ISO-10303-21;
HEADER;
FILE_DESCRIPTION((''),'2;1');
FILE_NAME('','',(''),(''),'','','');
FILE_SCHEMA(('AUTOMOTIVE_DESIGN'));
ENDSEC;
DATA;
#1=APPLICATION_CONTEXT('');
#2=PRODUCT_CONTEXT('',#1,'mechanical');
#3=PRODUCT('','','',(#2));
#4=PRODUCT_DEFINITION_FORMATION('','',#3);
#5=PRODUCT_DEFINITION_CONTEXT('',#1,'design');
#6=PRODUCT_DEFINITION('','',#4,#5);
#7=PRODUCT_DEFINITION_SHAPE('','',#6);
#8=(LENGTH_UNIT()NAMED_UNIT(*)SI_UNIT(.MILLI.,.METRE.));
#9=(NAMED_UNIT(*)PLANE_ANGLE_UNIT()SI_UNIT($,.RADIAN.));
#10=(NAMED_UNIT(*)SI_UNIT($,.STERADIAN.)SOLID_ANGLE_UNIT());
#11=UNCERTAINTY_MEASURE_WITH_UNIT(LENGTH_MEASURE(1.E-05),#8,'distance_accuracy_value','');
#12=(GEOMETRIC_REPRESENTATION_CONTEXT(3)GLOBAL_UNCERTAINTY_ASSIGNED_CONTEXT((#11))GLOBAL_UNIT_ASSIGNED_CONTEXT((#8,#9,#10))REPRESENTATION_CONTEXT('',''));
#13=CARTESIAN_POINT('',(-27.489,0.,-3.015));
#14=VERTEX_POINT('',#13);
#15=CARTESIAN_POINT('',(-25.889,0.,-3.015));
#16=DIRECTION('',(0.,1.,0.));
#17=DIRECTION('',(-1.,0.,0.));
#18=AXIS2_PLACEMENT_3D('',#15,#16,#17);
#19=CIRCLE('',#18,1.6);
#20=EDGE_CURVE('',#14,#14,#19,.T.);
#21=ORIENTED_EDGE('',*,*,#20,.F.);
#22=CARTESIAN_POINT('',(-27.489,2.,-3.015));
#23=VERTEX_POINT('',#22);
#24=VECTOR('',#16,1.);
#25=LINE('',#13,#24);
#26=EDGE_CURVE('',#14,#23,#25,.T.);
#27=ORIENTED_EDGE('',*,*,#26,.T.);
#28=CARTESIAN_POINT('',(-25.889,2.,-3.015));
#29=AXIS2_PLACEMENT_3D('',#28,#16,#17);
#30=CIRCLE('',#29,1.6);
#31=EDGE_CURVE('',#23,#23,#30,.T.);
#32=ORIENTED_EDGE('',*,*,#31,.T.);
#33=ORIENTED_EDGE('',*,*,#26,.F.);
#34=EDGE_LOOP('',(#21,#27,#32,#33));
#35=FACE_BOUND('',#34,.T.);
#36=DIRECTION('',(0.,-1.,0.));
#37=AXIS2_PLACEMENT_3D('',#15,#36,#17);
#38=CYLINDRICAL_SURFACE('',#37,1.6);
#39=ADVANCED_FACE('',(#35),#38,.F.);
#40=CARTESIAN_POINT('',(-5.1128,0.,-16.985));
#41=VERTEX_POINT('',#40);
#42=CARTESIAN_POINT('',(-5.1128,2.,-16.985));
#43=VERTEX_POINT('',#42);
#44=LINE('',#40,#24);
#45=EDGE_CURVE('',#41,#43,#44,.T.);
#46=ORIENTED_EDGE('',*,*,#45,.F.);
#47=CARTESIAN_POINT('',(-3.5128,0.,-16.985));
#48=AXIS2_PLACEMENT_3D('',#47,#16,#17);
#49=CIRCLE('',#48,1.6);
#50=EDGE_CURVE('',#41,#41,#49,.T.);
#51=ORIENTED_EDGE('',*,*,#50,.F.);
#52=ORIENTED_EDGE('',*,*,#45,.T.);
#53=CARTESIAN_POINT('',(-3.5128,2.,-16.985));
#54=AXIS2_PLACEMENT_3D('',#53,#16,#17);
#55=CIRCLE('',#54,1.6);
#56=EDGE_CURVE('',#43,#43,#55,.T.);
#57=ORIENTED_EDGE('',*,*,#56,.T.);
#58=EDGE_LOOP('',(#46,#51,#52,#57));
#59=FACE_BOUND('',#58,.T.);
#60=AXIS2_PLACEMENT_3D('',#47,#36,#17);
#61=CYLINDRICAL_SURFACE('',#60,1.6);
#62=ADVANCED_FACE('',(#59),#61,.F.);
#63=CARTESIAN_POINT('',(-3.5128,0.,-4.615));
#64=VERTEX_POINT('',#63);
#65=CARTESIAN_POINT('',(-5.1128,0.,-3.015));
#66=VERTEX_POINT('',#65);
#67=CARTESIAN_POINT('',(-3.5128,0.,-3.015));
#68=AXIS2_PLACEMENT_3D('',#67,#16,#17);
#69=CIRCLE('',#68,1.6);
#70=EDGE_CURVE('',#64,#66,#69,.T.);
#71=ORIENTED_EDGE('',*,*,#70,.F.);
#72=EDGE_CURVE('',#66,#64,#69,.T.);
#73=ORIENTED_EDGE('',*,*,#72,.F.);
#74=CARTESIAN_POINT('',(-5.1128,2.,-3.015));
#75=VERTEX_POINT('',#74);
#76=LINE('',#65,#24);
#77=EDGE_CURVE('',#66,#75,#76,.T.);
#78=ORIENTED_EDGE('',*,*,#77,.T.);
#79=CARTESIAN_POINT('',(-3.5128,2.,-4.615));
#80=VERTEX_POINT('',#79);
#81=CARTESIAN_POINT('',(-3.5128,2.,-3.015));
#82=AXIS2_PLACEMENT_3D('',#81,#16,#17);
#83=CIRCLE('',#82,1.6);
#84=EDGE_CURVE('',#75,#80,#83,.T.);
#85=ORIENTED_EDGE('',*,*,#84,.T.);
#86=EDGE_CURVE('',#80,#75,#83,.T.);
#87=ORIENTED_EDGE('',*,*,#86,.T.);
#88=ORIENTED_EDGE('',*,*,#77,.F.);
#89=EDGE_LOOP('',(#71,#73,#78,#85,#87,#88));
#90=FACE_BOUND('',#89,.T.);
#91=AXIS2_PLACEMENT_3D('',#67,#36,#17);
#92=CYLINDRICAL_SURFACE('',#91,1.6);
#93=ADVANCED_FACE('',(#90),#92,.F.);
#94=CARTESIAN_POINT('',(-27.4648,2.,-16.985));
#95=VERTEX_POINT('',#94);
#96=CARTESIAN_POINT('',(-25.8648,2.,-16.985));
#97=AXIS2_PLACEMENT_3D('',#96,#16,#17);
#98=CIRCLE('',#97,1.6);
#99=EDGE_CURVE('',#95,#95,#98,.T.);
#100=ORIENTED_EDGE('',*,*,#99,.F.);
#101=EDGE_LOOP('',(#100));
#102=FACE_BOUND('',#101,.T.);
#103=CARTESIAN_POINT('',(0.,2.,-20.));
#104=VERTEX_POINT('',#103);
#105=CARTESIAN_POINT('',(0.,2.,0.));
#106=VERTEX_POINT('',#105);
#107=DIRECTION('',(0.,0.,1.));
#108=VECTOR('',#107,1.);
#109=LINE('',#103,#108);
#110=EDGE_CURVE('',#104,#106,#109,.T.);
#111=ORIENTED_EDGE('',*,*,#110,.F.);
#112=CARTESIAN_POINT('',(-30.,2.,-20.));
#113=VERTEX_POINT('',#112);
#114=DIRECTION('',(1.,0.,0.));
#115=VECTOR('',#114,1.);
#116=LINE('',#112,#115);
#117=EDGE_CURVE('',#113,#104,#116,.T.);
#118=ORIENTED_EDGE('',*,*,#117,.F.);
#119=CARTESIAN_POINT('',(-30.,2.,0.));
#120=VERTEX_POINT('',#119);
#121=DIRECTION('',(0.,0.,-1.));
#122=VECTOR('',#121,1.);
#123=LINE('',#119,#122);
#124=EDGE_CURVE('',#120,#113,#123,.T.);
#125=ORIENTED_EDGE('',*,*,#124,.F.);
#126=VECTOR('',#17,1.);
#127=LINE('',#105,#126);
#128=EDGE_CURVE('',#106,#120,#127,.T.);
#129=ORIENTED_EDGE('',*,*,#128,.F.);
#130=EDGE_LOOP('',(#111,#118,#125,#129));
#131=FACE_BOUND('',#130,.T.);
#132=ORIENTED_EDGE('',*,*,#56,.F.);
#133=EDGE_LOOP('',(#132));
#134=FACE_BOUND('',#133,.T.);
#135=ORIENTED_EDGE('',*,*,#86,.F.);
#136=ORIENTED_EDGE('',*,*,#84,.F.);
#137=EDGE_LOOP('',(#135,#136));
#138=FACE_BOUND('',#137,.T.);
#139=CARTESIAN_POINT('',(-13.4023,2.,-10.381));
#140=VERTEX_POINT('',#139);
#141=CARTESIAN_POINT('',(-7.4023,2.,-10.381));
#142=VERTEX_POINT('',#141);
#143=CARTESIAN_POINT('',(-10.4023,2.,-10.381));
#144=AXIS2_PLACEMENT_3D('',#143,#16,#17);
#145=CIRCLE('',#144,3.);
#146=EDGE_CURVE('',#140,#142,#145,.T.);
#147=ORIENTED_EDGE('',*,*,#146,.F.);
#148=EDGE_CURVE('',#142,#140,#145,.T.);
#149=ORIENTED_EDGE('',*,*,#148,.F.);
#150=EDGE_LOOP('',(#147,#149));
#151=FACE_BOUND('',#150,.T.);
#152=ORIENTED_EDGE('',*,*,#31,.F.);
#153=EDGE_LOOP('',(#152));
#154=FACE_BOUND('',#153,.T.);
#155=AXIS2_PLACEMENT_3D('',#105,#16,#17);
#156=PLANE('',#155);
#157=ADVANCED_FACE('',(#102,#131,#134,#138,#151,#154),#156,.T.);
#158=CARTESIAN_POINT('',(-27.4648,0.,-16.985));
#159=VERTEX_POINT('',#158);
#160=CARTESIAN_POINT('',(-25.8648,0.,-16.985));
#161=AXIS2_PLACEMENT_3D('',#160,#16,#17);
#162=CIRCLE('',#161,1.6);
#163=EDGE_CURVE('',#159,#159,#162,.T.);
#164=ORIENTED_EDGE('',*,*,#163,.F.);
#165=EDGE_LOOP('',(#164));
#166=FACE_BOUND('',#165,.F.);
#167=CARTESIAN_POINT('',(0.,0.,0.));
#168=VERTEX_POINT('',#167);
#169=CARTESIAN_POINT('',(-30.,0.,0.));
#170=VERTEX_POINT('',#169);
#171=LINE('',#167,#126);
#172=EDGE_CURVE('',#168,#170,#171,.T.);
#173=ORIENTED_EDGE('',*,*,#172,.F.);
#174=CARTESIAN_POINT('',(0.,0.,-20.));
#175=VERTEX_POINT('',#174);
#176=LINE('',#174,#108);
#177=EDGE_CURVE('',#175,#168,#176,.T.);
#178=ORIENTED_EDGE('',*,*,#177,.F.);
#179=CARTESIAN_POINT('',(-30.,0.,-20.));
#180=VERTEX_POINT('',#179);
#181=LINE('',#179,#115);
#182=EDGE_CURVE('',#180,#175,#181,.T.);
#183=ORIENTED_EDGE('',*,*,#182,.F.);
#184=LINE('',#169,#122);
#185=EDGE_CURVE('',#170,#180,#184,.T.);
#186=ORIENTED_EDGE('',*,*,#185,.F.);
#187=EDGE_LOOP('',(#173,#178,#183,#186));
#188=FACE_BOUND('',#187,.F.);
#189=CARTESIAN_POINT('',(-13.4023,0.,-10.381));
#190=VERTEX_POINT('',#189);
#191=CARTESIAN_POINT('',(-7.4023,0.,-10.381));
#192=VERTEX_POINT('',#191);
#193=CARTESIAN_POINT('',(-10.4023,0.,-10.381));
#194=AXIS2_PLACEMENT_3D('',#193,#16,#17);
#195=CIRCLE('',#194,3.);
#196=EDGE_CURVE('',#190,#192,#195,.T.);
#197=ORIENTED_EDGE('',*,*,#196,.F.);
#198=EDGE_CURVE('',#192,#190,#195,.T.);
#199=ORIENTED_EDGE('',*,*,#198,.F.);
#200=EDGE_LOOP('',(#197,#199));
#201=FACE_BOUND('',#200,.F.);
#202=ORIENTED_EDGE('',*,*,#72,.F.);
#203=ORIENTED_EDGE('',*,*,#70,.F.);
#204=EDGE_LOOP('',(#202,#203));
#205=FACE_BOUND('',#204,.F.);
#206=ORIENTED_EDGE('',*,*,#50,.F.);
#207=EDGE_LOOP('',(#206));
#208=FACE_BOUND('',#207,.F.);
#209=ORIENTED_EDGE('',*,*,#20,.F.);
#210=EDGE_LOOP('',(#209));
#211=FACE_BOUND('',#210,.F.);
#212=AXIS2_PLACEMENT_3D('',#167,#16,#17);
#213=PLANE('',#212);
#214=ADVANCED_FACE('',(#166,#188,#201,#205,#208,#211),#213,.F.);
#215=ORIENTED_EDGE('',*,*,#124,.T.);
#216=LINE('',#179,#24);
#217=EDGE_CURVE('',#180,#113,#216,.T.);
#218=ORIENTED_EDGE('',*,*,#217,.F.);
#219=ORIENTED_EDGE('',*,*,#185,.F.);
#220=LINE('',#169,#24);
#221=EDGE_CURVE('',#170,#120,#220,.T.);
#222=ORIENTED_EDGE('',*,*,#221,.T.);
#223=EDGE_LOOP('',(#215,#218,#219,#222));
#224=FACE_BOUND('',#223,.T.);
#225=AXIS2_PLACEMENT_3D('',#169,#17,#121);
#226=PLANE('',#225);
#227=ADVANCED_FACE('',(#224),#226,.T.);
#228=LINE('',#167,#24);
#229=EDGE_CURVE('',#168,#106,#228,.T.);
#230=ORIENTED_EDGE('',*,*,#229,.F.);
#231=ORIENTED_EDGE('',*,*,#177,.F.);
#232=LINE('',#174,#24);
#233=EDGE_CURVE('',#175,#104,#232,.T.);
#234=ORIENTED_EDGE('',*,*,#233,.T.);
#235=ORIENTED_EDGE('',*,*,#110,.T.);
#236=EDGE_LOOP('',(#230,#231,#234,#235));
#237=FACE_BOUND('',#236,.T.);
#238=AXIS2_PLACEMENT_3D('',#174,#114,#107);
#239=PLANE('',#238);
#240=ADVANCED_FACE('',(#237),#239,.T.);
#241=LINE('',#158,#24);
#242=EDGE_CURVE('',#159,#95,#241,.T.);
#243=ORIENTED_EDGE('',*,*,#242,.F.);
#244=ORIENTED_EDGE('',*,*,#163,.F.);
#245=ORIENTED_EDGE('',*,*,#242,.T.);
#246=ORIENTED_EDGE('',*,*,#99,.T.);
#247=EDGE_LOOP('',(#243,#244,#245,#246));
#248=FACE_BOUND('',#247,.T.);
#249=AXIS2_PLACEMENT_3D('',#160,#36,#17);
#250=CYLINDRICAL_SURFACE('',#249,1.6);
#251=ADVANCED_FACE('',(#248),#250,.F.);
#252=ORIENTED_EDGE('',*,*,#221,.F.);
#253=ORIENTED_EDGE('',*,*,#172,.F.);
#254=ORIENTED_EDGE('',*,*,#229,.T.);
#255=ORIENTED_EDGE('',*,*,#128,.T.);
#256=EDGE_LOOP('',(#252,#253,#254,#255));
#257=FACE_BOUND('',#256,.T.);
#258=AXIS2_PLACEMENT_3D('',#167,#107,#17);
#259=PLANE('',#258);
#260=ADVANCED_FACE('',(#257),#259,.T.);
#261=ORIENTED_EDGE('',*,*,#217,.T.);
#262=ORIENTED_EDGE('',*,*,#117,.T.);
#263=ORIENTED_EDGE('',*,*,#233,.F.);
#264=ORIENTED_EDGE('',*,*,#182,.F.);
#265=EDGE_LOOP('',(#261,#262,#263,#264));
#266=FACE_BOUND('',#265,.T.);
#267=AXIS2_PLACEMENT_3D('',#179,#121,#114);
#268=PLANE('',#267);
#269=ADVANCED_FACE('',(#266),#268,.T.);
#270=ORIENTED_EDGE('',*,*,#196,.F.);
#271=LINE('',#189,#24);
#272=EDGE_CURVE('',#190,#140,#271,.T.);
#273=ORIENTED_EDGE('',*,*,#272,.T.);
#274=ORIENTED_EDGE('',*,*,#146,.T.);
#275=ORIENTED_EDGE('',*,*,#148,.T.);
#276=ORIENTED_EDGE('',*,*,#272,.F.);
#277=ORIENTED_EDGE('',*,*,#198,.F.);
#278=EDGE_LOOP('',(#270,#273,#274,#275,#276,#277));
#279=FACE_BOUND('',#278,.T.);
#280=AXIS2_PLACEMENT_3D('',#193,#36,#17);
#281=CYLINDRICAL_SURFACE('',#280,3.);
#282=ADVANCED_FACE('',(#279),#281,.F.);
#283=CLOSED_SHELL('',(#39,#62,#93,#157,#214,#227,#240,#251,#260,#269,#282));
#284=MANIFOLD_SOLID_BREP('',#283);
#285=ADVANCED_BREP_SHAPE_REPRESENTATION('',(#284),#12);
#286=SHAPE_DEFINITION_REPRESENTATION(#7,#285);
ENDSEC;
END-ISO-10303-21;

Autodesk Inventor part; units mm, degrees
ref_plane "YZ Plane" through (0, 0, 0) normal (1, 0, 0) x (0, 1, 0)
ref_plane "XZ Plane" through (0, 0, 0) normal (0, 1, 0) x (-1, 0, 0)
ref_plane "XY Plane" through (0, 0, 0) normal (0, 0, 1) x (1, 0, 0)
sketch "スケッチ1" plane through (0, 0, 0) normal (0, 1, 0) x (-1, 0, 0)
  line L0 (0, 0) -> (30, 0)
  line L1 (30, 0) -> (30, -20)
  line L2 (30, -20) -> (0, -20)
  line L3 (0, -20) -> (0, 0)
  circle A0 centre (25.889, -3.015) radius 1.6
  circle A1 centre (25.8648, -16.985) radius 1.6
  circle A2 centre (3.5128, -16.985) radius 1.6
  circle A3 centre (3.5128, -3.015) radius 1.6
  line L4 (3.5128, -3.015) -> (3.5128, -10.381)
  line L5 (3.5128, -10.381) -> (10.4023, -10.381)
  circle A4 centre (10.4023, -10.381) radius 3
  dimension "d0" = 30
  dimension "d1" = 20
  dimension "d2" = 3.2
  dimension "d3" = 3.2
  dimension "d4" = 3.2
  dimension "d5" = 3.2
  dimension "d6" = 13.97
  dimension "d7" = 3.015
  dimension "d8" = 22.352
  dimension "d14" = 7.366
  dimension "d15" = 6.8895
  dimension "d16" = 6
extrude "押し出し1" add sketch "スケッチ1" along normal blind 2 contours L0 L1 L2 L3 | A4
extrude "押し出し2" cut sketch "スケッチ1" along normal blind 2 contours A4
properties part number "Encoder_plate1"
